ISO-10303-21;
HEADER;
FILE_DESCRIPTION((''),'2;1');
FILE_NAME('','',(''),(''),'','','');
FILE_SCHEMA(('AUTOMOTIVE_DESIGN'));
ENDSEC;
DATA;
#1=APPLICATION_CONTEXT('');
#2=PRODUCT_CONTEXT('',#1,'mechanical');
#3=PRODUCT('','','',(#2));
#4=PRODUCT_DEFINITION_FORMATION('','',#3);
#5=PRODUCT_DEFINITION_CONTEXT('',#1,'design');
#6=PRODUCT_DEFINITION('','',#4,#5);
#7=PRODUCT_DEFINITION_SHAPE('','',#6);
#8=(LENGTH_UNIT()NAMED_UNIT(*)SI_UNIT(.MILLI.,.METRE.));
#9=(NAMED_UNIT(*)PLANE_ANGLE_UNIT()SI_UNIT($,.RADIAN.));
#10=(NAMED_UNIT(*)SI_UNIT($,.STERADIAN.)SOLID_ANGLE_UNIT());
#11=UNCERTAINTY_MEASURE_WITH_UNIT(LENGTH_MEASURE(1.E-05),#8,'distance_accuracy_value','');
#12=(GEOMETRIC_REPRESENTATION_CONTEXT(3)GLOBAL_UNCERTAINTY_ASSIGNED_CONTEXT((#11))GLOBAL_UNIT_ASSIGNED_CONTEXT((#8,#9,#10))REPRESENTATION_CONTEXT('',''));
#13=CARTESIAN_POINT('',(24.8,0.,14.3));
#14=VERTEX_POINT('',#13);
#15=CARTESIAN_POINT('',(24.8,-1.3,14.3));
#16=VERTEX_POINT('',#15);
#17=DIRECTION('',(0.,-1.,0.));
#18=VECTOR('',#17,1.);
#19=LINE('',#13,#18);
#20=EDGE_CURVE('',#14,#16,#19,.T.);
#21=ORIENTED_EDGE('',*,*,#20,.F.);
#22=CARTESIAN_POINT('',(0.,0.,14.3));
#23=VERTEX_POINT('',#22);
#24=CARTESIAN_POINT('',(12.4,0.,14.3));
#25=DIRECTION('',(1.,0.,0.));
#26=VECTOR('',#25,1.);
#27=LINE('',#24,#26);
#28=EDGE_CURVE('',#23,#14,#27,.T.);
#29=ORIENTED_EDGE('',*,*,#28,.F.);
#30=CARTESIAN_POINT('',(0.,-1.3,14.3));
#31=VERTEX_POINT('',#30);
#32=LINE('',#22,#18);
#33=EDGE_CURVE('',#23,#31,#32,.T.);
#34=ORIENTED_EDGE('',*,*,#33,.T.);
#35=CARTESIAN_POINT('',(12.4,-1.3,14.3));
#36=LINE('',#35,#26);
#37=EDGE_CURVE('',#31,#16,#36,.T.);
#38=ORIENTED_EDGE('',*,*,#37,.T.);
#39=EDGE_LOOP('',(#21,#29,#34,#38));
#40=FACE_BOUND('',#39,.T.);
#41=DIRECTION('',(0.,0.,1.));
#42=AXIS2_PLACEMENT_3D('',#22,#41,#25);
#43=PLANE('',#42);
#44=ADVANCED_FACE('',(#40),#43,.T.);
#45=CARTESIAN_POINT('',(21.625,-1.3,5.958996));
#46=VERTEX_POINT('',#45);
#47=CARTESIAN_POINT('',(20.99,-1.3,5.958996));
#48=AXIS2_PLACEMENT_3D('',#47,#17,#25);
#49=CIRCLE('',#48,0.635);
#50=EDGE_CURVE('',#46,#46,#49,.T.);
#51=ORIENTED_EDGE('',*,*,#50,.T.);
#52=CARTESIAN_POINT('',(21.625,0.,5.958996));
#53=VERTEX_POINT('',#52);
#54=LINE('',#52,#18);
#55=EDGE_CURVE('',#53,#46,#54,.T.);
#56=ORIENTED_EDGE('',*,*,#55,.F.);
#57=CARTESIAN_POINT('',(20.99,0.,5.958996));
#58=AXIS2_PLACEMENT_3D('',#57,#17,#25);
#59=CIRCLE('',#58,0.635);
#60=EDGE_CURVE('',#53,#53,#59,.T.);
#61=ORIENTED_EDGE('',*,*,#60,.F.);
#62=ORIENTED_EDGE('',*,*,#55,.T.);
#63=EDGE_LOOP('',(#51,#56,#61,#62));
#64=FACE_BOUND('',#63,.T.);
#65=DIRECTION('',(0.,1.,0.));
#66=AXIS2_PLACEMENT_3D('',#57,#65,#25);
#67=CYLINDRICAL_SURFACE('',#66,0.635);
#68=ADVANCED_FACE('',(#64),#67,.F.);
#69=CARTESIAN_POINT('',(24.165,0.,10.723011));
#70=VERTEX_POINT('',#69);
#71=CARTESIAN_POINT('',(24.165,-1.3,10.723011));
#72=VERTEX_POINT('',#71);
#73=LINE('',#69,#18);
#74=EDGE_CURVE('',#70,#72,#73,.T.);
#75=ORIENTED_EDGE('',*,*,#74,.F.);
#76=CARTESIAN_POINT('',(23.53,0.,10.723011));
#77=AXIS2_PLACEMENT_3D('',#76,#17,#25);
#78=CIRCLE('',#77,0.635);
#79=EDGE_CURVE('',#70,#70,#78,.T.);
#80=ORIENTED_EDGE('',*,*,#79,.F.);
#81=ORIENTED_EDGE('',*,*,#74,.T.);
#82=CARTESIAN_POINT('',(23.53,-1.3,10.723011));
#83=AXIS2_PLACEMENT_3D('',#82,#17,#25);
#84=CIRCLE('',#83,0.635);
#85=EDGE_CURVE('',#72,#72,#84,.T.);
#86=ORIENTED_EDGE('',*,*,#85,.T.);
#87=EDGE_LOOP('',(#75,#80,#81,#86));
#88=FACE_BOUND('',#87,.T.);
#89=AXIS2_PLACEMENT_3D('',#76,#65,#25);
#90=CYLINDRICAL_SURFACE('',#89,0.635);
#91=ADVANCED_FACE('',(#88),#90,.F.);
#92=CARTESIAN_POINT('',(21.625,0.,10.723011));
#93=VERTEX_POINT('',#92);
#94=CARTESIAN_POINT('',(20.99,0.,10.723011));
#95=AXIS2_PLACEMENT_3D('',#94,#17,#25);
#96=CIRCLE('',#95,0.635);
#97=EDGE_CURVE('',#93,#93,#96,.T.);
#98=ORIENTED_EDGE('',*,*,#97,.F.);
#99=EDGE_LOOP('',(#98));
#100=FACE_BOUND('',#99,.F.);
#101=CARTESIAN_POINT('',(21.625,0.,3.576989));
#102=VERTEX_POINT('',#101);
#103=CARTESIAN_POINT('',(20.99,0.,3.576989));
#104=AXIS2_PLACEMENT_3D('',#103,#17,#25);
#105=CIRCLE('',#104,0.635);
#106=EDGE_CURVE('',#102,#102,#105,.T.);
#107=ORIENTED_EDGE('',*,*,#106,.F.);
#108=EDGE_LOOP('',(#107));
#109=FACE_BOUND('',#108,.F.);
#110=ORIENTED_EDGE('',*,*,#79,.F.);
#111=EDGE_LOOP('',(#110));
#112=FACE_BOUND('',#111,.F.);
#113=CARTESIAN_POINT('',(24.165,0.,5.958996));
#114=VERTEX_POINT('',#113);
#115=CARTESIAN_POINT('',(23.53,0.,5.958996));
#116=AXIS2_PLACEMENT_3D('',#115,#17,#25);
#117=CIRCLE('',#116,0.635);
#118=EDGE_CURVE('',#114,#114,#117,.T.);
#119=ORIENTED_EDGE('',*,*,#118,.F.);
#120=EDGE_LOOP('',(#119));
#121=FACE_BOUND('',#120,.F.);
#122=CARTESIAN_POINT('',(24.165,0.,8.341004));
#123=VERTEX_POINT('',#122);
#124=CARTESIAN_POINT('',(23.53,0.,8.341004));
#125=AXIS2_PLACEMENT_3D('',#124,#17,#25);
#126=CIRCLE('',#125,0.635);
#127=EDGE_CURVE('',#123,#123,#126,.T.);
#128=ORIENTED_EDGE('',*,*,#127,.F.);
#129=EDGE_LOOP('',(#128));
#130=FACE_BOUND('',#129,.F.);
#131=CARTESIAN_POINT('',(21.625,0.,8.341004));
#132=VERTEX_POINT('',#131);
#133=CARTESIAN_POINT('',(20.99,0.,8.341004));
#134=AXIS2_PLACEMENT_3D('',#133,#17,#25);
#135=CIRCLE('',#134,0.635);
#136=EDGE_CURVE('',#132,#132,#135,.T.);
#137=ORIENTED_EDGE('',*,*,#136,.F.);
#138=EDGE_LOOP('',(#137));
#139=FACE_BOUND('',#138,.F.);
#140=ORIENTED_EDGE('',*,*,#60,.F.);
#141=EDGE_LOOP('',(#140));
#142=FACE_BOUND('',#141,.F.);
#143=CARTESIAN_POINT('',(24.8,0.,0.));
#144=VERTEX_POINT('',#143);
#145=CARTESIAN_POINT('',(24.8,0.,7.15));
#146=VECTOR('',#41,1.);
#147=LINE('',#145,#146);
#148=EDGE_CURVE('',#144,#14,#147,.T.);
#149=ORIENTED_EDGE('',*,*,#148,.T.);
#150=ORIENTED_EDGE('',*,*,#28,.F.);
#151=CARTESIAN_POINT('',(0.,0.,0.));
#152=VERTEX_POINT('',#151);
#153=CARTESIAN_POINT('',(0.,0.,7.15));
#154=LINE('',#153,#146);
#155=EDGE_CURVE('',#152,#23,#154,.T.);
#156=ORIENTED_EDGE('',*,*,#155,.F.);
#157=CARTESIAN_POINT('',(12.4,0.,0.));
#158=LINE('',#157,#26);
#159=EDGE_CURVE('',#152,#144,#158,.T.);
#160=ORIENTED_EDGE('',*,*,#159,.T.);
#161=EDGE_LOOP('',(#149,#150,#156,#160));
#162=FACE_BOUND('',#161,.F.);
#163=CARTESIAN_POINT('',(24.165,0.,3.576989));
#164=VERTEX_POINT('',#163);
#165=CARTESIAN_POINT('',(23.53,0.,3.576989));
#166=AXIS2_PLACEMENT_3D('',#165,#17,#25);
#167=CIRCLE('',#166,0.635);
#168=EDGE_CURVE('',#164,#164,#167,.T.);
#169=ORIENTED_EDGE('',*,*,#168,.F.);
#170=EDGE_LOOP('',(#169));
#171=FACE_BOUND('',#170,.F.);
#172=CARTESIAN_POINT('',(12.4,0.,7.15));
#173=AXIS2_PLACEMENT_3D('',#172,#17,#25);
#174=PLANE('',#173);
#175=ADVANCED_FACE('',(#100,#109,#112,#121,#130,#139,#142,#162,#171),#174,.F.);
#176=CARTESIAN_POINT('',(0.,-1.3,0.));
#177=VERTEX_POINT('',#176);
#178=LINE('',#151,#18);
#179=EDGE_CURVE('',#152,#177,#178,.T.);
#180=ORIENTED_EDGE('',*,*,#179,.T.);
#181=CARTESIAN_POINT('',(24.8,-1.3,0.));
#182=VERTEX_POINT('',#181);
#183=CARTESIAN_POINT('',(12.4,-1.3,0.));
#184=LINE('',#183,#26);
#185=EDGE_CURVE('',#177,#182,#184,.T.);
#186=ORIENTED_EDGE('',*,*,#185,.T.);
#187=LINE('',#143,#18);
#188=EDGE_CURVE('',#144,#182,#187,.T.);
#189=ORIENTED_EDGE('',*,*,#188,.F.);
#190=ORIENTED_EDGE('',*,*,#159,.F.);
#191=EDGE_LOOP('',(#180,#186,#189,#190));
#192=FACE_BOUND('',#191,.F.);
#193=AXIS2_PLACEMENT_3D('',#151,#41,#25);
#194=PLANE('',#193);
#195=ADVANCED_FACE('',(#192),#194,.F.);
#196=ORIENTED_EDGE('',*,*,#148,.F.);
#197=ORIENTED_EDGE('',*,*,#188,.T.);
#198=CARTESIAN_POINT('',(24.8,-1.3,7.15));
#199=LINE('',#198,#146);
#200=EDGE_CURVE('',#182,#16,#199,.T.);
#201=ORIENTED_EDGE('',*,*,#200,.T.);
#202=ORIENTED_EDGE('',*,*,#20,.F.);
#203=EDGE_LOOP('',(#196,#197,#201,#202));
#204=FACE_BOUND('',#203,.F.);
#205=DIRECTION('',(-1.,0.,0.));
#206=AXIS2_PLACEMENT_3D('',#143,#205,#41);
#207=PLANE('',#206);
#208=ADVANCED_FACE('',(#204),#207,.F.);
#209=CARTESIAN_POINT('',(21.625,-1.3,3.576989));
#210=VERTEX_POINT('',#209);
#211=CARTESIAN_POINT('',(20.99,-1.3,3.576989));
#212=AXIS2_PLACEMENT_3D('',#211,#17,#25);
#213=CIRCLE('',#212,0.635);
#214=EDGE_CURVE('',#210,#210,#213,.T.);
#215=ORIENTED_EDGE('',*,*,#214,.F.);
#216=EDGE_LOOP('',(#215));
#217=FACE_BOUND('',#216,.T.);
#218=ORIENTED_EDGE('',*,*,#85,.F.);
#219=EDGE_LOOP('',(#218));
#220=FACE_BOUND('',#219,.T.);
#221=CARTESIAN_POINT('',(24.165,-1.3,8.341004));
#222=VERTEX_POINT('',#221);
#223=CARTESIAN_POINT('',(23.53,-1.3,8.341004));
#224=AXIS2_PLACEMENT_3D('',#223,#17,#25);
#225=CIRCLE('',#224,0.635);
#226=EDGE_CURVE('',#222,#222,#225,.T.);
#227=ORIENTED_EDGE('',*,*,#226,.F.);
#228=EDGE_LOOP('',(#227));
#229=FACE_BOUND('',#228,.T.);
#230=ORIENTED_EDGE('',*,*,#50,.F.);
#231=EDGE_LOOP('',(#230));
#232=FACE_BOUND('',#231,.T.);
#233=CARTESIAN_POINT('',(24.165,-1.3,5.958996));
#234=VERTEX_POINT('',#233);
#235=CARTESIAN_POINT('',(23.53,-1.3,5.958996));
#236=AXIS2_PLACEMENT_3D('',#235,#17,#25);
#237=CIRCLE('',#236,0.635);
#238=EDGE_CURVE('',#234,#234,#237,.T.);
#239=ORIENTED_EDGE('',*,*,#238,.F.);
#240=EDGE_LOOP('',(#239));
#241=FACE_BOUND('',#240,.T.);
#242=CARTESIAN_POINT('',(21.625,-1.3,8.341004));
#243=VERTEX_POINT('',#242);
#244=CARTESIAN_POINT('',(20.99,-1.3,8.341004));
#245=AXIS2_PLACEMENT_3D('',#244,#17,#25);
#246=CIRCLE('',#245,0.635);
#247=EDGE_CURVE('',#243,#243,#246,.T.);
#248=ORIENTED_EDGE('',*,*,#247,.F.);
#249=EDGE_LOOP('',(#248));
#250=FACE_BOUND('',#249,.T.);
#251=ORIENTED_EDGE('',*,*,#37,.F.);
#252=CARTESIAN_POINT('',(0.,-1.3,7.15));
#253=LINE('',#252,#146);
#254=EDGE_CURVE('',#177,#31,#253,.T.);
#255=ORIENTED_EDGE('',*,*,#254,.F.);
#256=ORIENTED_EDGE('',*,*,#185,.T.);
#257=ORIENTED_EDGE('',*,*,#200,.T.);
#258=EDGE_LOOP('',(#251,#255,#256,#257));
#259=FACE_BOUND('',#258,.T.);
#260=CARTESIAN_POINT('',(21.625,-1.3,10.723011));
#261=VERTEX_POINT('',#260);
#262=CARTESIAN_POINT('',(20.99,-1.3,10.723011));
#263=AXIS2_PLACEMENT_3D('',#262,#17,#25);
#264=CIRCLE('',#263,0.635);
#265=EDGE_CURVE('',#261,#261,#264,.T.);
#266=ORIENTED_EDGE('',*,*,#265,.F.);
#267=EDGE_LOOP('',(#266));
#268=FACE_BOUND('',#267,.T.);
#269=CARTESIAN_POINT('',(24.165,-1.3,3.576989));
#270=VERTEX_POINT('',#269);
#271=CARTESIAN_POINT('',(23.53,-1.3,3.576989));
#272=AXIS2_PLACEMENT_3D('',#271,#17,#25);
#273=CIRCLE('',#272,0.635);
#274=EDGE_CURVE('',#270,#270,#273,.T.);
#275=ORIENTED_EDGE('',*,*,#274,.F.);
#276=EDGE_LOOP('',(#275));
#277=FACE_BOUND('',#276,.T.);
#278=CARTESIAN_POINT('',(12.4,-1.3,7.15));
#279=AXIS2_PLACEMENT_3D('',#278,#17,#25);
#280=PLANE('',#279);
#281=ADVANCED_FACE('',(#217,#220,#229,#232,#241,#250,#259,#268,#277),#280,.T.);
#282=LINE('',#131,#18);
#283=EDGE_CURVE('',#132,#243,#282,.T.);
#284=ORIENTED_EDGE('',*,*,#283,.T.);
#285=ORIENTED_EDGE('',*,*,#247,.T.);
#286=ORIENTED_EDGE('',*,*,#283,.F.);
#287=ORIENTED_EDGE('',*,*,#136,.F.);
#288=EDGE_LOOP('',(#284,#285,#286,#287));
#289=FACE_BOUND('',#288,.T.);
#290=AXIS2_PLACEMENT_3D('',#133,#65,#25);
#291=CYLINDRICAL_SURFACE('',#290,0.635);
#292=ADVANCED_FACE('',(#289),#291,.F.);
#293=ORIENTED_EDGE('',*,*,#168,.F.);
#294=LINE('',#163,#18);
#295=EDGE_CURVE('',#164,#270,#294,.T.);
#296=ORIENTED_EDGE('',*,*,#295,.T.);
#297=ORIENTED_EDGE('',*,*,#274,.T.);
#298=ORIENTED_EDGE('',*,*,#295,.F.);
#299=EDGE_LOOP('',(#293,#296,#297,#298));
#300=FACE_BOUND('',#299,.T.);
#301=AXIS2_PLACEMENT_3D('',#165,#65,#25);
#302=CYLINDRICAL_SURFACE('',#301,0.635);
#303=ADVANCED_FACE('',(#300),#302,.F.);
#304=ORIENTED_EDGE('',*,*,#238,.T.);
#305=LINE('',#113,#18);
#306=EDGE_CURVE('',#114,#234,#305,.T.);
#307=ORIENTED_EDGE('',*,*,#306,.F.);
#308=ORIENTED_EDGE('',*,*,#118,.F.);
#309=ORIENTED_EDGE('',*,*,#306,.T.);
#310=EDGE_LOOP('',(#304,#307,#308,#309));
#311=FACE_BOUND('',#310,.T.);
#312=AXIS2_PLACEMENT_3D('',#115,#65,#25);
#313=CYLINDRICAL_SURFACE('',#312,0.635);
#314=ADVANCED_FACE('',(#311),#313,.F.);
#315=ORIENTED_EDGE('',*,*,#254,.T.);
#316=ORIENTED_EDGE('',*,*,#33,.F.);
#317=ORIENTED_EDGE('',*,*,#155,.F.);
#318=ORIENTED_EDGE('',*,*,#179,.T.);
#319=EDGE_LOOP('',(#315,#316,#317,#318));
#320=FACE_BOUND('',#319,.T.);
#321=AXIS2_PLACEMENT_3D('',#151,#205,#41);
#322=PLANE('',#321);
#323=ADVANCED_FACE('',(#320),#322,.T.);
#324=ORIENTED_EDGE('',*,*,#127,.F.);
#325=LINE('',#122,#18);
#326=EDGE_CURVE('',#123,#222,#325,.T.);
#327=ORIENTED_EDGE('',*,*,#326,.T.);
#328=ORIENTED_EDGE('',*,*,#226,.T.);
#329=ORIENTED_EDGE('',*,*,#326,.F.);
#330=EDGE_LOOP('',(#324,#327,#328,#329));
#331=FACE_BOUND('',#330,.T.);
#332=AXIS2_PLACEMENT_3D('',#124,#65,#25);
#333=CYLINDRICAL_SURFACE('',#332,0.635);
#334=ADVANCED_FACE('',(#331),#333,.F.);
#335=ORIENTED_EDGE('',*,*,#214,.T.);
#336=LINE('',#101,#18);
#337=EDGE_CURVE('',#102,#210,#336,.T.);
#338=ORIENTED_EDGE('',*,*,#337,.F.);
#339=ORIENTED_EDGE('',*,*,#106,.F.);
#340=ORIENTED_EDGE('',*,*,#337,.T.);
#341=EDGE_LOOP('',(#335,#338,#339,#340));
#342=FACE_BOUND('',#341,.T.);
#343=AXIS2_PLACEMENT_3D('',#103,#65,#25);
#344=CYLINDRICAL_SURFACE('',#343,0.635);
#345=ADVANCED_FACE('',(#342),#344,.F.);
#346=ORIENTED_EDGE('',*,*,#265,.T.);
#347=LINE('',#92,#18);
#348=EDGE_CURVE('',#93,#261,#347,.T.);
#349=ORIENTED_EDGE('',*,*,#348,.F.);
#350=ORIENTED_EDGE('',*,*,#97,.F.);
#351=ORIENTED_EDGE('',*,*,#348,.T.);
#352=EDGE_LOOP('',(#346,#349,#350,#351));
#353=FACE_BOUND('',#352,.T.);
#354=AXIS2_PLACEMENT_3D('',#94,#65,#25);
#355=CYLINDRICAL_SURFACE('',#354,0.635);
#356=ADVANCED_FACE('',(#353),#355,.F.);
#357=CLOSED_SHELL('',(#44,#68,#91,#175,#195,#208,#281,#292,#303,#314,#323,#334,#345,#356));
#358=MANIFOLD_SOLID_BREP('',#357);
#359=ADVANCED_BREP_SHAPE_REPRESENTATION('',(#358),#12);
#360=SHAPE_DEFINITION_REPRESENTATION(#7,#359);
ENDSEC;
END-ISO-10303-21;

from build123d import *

# Parameters (mm, degrees)
F0_W     = 24.8
F0_H     = 14.3
F0_R     = 0.635
F1_DEPTH = 1.3


with BuildPart() as f1:
    # F0 (on Front) → F1 (new body)
    with BuildSketch(Plane.XZ):
        with Locations((12.4, 7.15)):
            Rectangle(F0_W, F0_H)
        with Locations((20.99, 3.576989)):
            Circle(F0_R, mode=Mode.SUBTRACT)
        with Locations((23.53, 3.576989)):
            Circle(F0_R, mode=Mode.SUBTRACT)
        with Locations((20.99, 5.958996)):
            Circle(F0_R, mode=Mode.SUBTRACT)
        with Locations((23.53, 5.958996)):
            Circle(F0_R, mode=Mode.SUBTRACT)
        with Locations((20.99, 8.341004)):
            Circle(F0_R, mode=Mode.SUBTRACT)
        with Locations((23.53, 8.341004)):
            Circle(F0_R, mode=Mode.SUBTRACT)
        with Locations((20.99, 10.723011)):
            Circle(F0_R, mode=Mode.SUBTRACT)
        with Locations((23.53, 10.723011)):
            Circle(F0_R, mode=Mode.SUBTRACT)
    extrude(amount=F1_DEPTH)


solid = f1.part
